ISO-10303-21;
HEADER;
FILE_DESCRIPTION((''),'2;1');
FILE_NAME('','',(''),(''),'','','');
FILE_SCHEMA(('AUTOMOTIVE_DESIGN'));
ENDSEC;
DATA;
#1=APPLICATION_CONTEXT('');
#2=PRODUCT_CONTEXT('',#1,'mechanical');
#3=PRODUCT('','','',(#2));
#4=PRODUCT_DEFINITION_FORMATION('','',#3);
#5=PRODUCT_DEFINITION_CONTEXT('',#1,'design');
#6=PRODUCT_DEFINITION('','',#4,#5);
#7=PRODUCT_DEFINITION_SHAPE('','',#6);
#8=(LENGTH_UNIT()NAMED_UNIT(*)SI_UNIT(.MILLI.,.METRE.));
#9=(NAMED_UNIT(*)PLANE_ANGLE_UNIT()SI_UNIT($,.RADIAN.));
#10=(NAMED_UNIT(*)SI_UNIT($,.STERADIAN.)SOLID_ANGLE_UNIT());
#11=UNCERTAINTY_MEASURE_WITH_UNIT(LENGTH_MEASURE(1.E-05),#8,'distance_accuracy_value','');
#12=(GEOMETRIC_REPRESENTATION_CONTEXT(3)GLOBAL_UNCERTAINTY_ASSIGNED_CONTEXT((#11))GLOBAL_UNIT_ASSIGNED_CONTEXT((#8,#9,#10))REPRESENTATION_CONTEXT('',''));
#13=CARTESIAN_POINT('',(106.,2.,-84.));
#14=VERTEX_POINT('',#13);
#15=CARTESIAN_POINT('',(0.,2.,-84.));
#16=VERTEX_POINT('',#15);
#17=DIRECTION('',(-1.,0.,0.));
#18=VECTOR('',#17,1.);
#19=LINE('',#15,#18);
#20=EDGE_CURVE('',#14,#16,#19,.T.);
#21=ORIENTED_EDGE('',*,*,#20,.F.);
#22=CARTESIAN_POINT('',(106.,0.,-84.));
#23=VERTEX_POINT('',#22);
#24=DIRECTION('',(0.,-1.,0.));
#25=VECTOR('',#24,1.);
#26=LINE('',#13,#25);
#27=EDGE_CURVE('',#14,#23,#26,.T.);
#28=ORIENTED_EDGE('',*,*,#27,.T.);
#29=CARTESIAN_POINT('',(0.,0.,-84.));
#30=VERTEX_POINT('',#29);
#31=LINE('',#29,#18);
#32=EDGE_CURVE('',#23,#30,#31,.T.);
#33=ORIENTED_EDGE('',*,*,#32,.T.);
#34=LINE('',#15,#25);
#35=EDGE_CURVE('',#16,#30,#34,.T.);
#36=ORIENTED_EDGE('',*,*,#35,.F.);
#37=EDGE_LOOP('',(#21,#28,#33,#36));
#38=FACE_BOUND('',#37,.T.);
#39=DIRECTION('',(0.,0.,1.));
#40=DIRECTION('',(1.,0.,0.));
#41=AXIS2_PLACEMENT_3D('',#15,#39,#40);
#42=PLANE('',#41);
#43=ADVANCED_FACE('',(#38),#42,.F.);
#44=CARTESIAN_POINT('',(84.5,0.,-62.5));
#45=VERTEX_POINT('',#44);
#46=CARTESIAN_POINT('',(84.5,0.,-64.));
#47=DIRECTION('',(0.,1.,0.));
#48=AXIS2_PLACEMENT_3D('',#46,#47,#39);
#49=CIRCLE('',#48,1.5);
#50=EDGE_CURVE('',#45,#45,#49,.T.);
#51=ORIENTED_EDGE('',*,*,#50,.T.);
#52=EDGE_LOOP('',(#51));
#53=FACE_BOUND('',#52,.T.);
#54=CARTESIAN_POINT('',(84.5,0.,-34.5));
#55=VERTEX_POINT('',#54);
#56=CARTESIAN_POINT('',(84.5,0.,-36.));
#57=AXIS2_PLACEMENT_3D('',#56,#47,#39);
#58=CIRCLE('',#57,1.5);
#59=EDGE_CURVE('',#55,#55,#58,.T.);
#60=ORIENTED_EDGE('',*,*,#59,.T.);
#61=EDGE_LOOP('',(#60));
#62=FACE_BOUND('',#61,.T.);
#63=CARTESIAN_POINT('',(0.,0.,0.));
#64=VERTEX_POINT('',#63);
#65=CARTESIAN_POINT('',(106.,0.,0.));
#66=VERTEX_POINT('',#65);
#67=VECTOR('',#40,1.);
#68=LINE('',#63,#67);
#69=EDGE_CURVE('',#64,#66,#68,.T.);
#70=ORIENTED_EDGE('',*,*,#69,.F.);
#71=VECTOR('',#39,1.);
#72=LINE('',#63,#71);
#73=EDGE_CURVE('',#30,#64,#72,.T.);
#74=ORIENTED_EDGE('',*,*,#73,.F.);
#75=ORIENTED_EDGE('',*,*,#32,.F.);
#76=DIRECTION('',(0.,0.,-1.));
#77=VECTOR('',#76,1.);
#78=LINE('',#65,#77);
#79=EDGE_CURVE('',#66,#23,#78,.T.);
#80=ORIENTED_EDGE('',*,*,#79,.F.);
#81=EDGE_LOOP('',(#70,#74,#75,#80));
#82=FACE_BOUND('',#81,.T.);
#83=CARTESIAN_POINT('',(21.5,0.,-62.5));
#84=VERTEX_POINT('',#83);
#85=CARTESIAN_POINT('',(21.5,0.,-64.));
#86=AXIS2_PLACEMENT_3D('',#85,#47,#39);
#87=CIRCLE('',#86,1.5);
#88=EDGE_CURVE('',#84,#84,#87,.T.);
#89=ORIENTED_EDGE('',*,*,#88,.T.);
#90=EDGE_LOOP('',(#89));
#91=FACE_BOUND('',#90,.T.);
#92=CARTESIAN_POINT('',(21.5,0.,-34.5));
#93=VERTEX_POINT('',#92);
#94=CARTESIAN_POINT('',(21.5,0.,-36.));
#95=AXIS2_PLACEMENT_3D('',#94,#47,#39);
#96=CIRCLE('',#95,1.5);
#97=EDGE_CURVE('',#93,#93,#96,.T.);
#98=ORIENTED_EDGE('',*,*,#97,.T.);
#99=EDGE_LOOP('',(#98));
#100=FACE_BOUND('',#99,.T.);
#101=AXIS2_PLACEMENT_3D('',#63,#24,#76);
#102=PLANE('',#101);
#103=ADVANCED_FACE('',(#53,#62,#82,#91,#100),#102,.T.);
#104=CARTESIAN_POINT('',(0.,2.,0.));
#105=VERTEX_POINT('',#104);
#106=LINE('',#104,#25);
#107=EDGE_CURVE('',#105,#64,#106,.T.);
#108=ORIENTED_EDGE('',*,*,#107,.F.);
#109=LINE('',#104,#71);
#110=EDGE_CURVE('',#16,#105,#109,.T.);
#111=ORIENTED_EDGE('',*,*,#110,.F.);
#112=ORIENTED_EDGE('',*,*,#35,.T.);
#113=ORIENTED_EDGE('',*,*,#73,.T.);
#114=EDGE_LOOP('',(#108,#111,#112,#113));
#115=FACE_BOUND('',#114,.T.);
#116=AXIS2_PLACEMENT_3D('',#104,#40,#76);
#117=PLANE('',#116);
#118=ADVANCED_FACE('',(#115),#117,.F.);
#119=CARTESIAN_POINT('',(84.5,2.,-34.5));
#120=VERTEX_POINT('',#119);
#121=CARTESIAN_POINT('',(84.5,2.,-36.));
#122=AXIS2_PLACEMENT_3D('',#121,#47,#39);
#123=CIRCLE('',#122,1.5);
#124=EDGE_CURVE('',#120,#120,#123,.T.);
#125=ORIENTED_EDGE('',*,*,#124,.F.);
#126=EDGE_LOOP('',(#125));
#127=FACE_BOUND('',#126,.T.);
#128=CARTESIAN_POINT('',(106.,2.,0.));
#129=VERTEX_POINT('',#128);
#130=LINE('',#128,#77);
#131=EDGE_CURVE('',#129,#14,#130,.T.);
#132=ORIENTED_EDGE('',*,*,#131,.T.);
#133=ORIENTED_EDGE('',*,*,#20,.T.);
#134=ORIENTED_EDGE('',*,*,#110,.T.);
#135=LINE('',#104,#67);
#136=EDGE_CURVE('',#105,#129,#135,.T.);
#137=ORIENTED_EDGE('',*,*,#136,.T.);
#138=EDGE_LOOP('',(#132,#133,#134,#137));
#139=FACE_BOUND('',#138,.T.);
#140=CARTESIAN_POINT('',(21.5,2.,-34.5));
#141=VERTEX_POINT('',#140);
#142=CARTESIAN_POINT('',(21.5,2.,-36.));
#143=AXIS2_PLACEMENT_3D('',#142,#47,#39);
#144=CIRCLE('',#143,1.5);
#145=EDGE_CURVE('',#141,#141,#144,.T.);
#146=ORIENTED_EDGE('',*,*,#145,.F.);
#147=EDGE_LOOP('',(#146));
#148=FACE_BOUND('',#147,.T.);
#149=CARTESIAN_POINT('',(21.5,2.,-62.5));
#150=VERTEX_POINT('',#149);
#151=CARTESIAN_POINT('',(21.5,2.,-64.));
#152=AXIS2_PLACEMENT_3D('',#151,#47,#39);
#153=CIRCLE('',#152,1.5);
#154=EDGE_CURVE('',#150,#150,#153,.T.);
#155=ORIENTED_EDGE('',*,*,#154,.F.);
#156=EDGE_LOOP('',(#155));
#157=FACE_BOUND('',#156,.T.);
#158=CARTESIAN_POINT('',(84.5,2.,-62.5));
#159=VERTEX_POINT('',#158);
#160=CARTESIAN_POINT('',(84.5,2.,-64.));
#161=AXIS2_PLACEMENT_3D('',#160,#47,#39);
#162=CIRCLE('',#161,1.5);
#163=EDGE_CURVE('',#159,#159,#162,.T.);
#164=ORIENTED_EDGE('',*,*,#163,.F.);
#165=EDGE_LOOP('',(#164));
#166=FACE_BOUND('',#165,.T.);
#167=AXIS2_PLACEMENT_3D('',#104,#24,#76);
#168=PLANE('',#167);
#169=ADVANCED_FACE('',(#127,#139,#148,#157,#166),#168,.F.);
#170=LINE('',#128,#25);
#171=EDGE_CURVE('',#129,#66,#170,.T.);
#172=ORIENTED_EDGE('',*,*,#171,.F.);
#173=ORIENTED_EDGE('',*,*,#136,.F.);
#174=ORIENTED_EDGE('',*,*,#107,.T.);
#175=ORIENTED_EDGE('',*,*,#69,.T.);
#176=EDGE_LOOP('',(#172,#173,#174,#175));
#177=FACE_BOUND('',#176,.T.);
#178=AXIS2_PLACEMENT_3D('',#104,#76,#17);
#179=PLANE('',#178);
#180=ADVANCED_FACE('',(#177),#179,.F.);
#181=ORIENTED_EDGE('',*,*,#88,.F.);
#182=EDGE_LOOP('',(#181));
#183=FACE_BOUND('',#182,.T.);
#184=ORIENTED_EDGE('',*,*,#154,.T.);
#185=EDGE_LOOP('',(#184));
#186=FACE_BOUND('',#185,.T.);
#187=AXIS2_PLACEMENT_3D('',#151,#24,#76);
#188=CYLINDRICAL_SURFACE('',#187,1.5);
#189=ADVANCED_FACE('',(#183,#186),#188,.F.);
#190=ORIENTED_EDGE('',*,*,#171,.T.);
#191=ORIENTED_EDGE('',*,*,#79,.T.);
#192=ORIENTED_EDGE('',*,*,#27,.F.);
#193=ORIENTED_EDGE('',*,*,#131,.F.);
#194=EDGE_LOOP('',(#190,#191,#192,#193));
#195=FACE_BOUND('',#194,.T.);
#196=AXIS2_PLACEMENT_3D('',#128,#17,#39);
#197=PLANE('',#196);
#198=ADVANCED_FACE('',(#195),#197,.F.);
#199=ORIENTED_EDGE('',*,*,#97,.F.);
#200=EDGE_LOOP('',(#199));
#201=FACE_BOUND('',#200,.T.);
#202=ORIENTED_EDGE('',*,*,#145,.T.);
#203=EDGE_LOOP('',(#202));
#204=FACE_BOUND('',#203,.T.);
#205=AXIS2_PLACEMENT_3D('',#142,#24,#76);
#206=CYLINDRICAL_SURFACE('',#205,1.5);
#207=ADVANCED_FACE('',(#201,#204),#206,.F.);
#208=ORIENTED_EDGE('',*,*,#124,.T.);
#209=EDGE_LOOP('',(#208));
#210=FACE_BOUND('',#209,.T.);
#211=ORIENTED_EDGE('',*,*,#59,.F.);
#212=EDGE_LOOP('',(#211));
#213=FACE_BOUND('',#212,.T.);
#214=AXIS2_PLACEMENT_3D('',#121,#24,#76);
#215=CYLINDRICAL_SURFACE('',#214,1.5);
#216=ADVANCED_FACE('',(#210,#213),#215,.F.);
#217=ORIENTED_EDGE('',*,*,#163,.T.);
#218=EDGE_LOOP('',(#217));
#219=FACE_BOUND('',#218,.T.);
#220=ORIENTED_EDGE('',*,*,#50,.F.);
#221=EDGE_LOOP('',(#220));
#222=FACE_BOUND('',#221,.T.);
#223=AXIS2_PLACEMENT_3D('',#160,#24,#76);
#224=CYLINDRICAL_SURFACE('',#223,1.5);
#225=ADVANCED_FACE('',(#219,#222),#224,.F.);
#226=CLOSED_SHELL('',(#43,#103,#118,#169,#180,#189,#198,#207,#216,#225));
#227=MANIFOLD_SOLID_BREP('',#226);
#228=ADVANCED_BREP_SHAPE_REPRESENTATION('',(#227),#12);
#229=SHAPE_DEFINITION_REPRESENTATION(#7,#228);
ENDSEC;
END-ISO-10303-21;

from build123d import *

# Parameters (mm, degrees)
SKETCH1_W           = 106
SKETCH1_H           = 84
SKETCH1_R           = 1.5
BOSS_EXTRUDE1_DEPTH = 2


with BuildPart() as part:
    # Sketch1 → Boss-Extrude1 (new body)
    with BuildSketch(Plane(origin=(0, 0, 0), x_dir=(1, 0, 0), z_dir=(0, 1, 0))):
        with Locations((53, 42)):
            Rectangle(SKETCH1_W, SKETCH1_H)
        with Locations((84.5, 64)):
            Circle(SKETCH1_R, mode=Mode.SUBTRACT)
        with Locations((84.5, 36)):
            Circle(SKETCH1_R, mode=Mode.SUBTRACT)
        with Locations((21.5, 36)):
            Circle(SKETCH1_R, mode=Mode.SUBTRACT)
        with Locations((21.5, 64)):
            Circle(SKETCH1_R, mode=Mode.SUBTRACT)
    extrude(amount=BOSS_EXTRUDE1_DEPTH)


solid = part.part
